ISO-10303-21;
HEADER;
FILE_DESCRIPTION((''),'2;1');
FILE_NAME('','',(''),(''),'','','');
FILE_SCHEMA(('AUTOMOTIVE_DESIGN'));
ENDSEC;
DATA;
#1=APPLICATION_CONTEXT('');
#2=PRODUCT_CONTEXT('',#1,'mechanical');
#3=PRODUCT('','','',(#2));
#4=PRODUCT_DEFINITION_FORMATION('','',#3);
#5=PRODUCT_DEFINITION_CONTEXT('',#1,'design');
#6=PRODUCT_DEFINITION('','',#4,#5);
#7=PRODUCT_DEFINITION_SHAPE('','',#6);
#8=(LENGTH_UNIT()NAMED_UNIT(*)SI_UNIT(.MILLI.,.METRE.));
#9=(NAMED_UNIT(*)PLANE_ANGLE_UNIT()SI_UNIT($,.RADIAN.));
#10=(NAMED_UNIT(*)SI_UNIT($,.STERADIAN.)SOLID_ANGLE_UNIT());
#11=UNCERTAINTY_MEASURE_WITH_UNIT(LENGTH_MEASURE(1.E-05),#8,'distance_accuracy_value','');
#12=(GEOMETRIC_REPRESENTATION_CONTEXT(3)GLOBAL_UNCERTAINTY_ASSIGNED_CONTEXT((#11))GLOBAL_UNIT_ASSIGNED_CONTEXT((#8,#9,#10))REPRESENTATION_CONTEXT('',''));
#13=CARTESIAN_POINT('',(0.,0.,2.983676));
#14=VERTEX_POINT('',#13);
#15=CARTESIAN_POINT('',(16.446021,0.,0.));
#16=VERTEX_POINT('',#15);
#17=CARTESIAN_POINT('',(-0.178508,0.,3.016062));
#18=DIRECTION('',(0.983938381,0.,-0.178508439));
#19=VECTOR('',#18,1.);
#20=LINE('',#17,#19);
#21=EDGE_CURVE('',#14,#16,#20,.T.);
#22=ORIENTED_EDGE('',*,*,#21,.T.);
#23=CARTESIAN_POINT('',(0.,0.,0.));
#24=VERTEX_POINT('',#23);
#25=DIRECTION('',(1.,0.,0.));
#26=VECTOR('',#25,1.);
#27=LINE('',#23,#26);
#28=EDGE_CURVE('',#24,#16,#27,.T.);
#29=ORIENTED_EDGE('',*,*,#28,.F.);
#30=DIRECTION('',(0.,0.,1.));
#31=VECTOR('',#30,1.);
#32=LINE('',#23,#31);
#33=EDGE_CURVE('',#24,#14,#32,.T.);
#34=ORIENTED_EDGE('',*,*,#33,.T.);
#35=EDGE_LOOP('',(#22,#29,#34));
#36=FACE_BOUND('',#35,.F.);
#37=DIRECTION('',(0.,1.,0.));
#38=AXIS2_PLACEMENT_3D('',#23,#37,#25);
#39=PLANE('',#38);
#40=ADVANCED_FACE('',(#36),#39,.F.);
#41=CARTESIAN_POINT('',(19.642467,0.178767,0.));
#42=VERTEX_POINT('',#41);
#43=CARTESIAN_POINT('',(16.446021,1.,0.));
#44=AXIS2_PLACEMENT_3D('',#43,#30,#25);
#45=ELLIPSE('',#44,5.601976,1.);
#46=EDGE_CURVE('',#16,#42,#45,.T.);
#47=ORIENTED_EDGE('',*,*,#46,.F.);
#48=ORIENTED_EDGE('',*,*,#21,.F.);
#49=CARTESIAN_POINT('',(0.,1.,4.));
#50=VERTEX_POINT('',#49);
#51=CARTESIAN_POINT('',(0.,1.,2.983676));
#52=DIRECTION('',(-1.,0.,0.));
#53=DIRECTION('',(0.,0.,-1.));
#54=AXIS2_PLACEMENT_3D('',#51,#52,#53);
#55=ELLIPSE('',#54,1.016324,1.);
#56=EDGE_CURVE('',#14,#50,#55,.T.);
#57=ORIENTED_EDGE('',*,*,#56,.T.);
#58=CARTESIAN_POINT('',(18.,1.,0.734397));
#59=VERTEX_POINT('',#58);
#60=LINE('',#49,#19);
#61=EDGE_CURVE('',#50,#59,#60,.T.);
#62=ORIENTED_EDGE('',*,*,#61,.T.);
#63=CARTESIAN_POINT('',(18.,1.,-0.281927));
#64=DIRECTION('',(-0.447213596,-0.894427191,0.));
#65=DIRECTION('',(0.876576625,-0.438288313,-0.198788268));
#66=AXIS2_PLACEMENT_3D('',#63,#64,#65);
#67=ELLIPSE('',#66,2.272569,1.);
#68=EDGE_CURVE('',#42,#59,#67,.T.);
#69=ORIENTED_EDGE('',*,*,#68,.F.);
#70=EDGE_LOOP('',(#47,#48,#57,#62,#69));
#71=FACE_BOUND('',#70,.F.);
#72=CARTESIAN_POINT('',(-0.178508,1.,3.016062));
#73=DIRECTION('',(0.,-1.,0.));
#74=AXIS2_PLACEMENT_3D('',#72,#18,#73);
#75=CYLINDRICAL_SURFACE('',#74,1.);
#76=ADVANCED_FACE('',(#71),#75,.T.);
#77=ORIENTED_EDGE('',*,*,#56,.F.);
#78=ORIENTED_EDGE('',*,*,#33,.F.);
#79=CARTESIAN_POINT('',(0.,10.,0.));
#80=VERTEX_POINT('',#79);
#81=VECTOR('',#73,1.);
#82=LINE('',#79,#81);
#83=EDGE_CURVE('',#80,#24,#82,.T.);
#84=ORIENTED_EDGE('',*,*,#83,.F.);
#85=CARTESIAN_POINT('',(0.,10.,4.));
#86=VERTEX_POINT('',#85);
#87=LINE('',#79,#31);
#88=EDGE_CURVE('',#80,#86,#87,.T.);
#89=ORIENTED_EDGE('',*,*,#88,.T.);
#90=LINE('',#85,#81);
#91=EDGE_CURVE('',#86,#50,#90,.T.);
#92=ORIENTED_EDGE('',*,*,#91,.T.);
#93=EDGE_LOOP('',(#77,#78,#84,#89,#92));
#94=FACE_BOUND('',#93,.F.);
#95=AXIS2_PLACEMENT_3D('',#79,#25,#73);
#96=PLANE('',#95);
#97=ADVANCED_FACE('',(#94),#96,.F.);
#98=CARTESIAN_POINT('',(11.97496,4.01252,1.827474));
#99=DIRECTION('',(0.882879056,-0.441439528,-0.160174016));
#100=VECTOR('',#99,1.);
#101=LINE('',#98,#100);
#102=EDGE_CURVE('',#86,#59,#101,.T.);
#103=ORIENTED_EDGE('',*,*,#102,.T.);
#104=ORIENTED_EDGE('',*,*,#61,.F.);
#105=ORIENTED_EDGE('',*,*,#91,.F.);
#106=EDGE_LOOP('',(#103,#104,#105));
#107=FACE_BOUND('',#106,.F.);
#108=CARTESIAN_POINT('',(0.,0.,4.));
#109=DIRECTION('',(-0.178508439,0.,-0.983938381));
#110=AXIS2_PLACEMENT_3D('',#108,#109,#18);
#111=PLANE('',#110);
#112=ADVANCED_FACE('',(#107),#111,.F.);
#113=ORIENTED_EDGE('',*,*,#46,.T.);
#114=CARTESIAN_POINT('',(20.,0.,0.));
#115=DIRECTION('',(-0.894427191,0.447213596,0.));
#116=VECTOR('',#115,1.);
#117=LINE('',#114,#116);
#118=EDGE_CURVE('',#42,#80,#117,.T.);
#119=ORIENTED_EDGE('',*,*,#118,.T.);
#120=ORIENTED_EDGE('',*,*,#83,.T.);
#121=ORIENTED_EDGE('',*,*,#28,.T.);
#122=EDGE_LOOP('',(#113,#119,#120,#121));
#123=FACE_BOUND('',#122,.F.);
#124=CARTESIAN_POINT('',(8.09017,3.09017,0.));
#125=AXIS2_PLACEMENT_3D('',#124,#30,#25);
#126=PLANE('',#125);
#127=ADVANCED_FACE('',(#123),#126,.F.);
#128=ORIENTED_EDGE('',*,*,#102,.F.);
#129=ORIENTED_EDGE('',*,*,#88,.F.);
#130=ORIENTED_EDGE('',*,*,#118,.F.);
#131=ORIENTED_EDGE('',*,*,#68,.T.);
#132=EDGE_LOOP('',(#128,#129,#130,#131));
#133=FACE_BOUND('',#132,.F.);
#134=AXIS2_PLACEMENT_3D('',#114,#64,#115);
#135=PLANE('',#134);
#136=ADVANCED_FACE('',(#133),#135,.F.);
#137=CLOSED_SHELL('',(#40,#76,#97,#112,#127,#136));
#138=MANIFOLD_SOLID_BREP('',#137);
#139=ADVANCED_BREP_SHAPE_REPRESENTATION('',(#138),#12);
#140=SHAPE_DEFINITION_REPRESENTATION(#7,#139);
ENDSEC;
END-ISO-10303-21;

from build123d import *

# Parameters (mm, degrees)
PAD047_DEPTH    = 4
POCKET007_DEPTH = 10
FILLET_R        = 1


with BuildPart() as part:
    # Sketch069 → Pad047 (new body)
    with BuildSketch(Plane.XY):
        Polygon((0, 10), (0, 0), (20, 0), align=None)
    extrude(amount=PAD047_DEPTH)

    # Sketch070 (on Face2 of Pad047) → Pocket007 (cut)
    with BuildSketch(Plane.XZ):
        Polygon((0, 4), (22.047997, 0), (22.047997, 4), align=None)
    extrude(amount=-POCKET007_DEPTH, mode=Mode.SUBTRACT)

    # Fillet
    fillet_edges = [part.edges().sort_by_distance(p)[0] for p in [
        (10, 0, 2.185776),
    ]]
    fillet(fillet_edges, radius=FILLET_R)


solid = part.part
